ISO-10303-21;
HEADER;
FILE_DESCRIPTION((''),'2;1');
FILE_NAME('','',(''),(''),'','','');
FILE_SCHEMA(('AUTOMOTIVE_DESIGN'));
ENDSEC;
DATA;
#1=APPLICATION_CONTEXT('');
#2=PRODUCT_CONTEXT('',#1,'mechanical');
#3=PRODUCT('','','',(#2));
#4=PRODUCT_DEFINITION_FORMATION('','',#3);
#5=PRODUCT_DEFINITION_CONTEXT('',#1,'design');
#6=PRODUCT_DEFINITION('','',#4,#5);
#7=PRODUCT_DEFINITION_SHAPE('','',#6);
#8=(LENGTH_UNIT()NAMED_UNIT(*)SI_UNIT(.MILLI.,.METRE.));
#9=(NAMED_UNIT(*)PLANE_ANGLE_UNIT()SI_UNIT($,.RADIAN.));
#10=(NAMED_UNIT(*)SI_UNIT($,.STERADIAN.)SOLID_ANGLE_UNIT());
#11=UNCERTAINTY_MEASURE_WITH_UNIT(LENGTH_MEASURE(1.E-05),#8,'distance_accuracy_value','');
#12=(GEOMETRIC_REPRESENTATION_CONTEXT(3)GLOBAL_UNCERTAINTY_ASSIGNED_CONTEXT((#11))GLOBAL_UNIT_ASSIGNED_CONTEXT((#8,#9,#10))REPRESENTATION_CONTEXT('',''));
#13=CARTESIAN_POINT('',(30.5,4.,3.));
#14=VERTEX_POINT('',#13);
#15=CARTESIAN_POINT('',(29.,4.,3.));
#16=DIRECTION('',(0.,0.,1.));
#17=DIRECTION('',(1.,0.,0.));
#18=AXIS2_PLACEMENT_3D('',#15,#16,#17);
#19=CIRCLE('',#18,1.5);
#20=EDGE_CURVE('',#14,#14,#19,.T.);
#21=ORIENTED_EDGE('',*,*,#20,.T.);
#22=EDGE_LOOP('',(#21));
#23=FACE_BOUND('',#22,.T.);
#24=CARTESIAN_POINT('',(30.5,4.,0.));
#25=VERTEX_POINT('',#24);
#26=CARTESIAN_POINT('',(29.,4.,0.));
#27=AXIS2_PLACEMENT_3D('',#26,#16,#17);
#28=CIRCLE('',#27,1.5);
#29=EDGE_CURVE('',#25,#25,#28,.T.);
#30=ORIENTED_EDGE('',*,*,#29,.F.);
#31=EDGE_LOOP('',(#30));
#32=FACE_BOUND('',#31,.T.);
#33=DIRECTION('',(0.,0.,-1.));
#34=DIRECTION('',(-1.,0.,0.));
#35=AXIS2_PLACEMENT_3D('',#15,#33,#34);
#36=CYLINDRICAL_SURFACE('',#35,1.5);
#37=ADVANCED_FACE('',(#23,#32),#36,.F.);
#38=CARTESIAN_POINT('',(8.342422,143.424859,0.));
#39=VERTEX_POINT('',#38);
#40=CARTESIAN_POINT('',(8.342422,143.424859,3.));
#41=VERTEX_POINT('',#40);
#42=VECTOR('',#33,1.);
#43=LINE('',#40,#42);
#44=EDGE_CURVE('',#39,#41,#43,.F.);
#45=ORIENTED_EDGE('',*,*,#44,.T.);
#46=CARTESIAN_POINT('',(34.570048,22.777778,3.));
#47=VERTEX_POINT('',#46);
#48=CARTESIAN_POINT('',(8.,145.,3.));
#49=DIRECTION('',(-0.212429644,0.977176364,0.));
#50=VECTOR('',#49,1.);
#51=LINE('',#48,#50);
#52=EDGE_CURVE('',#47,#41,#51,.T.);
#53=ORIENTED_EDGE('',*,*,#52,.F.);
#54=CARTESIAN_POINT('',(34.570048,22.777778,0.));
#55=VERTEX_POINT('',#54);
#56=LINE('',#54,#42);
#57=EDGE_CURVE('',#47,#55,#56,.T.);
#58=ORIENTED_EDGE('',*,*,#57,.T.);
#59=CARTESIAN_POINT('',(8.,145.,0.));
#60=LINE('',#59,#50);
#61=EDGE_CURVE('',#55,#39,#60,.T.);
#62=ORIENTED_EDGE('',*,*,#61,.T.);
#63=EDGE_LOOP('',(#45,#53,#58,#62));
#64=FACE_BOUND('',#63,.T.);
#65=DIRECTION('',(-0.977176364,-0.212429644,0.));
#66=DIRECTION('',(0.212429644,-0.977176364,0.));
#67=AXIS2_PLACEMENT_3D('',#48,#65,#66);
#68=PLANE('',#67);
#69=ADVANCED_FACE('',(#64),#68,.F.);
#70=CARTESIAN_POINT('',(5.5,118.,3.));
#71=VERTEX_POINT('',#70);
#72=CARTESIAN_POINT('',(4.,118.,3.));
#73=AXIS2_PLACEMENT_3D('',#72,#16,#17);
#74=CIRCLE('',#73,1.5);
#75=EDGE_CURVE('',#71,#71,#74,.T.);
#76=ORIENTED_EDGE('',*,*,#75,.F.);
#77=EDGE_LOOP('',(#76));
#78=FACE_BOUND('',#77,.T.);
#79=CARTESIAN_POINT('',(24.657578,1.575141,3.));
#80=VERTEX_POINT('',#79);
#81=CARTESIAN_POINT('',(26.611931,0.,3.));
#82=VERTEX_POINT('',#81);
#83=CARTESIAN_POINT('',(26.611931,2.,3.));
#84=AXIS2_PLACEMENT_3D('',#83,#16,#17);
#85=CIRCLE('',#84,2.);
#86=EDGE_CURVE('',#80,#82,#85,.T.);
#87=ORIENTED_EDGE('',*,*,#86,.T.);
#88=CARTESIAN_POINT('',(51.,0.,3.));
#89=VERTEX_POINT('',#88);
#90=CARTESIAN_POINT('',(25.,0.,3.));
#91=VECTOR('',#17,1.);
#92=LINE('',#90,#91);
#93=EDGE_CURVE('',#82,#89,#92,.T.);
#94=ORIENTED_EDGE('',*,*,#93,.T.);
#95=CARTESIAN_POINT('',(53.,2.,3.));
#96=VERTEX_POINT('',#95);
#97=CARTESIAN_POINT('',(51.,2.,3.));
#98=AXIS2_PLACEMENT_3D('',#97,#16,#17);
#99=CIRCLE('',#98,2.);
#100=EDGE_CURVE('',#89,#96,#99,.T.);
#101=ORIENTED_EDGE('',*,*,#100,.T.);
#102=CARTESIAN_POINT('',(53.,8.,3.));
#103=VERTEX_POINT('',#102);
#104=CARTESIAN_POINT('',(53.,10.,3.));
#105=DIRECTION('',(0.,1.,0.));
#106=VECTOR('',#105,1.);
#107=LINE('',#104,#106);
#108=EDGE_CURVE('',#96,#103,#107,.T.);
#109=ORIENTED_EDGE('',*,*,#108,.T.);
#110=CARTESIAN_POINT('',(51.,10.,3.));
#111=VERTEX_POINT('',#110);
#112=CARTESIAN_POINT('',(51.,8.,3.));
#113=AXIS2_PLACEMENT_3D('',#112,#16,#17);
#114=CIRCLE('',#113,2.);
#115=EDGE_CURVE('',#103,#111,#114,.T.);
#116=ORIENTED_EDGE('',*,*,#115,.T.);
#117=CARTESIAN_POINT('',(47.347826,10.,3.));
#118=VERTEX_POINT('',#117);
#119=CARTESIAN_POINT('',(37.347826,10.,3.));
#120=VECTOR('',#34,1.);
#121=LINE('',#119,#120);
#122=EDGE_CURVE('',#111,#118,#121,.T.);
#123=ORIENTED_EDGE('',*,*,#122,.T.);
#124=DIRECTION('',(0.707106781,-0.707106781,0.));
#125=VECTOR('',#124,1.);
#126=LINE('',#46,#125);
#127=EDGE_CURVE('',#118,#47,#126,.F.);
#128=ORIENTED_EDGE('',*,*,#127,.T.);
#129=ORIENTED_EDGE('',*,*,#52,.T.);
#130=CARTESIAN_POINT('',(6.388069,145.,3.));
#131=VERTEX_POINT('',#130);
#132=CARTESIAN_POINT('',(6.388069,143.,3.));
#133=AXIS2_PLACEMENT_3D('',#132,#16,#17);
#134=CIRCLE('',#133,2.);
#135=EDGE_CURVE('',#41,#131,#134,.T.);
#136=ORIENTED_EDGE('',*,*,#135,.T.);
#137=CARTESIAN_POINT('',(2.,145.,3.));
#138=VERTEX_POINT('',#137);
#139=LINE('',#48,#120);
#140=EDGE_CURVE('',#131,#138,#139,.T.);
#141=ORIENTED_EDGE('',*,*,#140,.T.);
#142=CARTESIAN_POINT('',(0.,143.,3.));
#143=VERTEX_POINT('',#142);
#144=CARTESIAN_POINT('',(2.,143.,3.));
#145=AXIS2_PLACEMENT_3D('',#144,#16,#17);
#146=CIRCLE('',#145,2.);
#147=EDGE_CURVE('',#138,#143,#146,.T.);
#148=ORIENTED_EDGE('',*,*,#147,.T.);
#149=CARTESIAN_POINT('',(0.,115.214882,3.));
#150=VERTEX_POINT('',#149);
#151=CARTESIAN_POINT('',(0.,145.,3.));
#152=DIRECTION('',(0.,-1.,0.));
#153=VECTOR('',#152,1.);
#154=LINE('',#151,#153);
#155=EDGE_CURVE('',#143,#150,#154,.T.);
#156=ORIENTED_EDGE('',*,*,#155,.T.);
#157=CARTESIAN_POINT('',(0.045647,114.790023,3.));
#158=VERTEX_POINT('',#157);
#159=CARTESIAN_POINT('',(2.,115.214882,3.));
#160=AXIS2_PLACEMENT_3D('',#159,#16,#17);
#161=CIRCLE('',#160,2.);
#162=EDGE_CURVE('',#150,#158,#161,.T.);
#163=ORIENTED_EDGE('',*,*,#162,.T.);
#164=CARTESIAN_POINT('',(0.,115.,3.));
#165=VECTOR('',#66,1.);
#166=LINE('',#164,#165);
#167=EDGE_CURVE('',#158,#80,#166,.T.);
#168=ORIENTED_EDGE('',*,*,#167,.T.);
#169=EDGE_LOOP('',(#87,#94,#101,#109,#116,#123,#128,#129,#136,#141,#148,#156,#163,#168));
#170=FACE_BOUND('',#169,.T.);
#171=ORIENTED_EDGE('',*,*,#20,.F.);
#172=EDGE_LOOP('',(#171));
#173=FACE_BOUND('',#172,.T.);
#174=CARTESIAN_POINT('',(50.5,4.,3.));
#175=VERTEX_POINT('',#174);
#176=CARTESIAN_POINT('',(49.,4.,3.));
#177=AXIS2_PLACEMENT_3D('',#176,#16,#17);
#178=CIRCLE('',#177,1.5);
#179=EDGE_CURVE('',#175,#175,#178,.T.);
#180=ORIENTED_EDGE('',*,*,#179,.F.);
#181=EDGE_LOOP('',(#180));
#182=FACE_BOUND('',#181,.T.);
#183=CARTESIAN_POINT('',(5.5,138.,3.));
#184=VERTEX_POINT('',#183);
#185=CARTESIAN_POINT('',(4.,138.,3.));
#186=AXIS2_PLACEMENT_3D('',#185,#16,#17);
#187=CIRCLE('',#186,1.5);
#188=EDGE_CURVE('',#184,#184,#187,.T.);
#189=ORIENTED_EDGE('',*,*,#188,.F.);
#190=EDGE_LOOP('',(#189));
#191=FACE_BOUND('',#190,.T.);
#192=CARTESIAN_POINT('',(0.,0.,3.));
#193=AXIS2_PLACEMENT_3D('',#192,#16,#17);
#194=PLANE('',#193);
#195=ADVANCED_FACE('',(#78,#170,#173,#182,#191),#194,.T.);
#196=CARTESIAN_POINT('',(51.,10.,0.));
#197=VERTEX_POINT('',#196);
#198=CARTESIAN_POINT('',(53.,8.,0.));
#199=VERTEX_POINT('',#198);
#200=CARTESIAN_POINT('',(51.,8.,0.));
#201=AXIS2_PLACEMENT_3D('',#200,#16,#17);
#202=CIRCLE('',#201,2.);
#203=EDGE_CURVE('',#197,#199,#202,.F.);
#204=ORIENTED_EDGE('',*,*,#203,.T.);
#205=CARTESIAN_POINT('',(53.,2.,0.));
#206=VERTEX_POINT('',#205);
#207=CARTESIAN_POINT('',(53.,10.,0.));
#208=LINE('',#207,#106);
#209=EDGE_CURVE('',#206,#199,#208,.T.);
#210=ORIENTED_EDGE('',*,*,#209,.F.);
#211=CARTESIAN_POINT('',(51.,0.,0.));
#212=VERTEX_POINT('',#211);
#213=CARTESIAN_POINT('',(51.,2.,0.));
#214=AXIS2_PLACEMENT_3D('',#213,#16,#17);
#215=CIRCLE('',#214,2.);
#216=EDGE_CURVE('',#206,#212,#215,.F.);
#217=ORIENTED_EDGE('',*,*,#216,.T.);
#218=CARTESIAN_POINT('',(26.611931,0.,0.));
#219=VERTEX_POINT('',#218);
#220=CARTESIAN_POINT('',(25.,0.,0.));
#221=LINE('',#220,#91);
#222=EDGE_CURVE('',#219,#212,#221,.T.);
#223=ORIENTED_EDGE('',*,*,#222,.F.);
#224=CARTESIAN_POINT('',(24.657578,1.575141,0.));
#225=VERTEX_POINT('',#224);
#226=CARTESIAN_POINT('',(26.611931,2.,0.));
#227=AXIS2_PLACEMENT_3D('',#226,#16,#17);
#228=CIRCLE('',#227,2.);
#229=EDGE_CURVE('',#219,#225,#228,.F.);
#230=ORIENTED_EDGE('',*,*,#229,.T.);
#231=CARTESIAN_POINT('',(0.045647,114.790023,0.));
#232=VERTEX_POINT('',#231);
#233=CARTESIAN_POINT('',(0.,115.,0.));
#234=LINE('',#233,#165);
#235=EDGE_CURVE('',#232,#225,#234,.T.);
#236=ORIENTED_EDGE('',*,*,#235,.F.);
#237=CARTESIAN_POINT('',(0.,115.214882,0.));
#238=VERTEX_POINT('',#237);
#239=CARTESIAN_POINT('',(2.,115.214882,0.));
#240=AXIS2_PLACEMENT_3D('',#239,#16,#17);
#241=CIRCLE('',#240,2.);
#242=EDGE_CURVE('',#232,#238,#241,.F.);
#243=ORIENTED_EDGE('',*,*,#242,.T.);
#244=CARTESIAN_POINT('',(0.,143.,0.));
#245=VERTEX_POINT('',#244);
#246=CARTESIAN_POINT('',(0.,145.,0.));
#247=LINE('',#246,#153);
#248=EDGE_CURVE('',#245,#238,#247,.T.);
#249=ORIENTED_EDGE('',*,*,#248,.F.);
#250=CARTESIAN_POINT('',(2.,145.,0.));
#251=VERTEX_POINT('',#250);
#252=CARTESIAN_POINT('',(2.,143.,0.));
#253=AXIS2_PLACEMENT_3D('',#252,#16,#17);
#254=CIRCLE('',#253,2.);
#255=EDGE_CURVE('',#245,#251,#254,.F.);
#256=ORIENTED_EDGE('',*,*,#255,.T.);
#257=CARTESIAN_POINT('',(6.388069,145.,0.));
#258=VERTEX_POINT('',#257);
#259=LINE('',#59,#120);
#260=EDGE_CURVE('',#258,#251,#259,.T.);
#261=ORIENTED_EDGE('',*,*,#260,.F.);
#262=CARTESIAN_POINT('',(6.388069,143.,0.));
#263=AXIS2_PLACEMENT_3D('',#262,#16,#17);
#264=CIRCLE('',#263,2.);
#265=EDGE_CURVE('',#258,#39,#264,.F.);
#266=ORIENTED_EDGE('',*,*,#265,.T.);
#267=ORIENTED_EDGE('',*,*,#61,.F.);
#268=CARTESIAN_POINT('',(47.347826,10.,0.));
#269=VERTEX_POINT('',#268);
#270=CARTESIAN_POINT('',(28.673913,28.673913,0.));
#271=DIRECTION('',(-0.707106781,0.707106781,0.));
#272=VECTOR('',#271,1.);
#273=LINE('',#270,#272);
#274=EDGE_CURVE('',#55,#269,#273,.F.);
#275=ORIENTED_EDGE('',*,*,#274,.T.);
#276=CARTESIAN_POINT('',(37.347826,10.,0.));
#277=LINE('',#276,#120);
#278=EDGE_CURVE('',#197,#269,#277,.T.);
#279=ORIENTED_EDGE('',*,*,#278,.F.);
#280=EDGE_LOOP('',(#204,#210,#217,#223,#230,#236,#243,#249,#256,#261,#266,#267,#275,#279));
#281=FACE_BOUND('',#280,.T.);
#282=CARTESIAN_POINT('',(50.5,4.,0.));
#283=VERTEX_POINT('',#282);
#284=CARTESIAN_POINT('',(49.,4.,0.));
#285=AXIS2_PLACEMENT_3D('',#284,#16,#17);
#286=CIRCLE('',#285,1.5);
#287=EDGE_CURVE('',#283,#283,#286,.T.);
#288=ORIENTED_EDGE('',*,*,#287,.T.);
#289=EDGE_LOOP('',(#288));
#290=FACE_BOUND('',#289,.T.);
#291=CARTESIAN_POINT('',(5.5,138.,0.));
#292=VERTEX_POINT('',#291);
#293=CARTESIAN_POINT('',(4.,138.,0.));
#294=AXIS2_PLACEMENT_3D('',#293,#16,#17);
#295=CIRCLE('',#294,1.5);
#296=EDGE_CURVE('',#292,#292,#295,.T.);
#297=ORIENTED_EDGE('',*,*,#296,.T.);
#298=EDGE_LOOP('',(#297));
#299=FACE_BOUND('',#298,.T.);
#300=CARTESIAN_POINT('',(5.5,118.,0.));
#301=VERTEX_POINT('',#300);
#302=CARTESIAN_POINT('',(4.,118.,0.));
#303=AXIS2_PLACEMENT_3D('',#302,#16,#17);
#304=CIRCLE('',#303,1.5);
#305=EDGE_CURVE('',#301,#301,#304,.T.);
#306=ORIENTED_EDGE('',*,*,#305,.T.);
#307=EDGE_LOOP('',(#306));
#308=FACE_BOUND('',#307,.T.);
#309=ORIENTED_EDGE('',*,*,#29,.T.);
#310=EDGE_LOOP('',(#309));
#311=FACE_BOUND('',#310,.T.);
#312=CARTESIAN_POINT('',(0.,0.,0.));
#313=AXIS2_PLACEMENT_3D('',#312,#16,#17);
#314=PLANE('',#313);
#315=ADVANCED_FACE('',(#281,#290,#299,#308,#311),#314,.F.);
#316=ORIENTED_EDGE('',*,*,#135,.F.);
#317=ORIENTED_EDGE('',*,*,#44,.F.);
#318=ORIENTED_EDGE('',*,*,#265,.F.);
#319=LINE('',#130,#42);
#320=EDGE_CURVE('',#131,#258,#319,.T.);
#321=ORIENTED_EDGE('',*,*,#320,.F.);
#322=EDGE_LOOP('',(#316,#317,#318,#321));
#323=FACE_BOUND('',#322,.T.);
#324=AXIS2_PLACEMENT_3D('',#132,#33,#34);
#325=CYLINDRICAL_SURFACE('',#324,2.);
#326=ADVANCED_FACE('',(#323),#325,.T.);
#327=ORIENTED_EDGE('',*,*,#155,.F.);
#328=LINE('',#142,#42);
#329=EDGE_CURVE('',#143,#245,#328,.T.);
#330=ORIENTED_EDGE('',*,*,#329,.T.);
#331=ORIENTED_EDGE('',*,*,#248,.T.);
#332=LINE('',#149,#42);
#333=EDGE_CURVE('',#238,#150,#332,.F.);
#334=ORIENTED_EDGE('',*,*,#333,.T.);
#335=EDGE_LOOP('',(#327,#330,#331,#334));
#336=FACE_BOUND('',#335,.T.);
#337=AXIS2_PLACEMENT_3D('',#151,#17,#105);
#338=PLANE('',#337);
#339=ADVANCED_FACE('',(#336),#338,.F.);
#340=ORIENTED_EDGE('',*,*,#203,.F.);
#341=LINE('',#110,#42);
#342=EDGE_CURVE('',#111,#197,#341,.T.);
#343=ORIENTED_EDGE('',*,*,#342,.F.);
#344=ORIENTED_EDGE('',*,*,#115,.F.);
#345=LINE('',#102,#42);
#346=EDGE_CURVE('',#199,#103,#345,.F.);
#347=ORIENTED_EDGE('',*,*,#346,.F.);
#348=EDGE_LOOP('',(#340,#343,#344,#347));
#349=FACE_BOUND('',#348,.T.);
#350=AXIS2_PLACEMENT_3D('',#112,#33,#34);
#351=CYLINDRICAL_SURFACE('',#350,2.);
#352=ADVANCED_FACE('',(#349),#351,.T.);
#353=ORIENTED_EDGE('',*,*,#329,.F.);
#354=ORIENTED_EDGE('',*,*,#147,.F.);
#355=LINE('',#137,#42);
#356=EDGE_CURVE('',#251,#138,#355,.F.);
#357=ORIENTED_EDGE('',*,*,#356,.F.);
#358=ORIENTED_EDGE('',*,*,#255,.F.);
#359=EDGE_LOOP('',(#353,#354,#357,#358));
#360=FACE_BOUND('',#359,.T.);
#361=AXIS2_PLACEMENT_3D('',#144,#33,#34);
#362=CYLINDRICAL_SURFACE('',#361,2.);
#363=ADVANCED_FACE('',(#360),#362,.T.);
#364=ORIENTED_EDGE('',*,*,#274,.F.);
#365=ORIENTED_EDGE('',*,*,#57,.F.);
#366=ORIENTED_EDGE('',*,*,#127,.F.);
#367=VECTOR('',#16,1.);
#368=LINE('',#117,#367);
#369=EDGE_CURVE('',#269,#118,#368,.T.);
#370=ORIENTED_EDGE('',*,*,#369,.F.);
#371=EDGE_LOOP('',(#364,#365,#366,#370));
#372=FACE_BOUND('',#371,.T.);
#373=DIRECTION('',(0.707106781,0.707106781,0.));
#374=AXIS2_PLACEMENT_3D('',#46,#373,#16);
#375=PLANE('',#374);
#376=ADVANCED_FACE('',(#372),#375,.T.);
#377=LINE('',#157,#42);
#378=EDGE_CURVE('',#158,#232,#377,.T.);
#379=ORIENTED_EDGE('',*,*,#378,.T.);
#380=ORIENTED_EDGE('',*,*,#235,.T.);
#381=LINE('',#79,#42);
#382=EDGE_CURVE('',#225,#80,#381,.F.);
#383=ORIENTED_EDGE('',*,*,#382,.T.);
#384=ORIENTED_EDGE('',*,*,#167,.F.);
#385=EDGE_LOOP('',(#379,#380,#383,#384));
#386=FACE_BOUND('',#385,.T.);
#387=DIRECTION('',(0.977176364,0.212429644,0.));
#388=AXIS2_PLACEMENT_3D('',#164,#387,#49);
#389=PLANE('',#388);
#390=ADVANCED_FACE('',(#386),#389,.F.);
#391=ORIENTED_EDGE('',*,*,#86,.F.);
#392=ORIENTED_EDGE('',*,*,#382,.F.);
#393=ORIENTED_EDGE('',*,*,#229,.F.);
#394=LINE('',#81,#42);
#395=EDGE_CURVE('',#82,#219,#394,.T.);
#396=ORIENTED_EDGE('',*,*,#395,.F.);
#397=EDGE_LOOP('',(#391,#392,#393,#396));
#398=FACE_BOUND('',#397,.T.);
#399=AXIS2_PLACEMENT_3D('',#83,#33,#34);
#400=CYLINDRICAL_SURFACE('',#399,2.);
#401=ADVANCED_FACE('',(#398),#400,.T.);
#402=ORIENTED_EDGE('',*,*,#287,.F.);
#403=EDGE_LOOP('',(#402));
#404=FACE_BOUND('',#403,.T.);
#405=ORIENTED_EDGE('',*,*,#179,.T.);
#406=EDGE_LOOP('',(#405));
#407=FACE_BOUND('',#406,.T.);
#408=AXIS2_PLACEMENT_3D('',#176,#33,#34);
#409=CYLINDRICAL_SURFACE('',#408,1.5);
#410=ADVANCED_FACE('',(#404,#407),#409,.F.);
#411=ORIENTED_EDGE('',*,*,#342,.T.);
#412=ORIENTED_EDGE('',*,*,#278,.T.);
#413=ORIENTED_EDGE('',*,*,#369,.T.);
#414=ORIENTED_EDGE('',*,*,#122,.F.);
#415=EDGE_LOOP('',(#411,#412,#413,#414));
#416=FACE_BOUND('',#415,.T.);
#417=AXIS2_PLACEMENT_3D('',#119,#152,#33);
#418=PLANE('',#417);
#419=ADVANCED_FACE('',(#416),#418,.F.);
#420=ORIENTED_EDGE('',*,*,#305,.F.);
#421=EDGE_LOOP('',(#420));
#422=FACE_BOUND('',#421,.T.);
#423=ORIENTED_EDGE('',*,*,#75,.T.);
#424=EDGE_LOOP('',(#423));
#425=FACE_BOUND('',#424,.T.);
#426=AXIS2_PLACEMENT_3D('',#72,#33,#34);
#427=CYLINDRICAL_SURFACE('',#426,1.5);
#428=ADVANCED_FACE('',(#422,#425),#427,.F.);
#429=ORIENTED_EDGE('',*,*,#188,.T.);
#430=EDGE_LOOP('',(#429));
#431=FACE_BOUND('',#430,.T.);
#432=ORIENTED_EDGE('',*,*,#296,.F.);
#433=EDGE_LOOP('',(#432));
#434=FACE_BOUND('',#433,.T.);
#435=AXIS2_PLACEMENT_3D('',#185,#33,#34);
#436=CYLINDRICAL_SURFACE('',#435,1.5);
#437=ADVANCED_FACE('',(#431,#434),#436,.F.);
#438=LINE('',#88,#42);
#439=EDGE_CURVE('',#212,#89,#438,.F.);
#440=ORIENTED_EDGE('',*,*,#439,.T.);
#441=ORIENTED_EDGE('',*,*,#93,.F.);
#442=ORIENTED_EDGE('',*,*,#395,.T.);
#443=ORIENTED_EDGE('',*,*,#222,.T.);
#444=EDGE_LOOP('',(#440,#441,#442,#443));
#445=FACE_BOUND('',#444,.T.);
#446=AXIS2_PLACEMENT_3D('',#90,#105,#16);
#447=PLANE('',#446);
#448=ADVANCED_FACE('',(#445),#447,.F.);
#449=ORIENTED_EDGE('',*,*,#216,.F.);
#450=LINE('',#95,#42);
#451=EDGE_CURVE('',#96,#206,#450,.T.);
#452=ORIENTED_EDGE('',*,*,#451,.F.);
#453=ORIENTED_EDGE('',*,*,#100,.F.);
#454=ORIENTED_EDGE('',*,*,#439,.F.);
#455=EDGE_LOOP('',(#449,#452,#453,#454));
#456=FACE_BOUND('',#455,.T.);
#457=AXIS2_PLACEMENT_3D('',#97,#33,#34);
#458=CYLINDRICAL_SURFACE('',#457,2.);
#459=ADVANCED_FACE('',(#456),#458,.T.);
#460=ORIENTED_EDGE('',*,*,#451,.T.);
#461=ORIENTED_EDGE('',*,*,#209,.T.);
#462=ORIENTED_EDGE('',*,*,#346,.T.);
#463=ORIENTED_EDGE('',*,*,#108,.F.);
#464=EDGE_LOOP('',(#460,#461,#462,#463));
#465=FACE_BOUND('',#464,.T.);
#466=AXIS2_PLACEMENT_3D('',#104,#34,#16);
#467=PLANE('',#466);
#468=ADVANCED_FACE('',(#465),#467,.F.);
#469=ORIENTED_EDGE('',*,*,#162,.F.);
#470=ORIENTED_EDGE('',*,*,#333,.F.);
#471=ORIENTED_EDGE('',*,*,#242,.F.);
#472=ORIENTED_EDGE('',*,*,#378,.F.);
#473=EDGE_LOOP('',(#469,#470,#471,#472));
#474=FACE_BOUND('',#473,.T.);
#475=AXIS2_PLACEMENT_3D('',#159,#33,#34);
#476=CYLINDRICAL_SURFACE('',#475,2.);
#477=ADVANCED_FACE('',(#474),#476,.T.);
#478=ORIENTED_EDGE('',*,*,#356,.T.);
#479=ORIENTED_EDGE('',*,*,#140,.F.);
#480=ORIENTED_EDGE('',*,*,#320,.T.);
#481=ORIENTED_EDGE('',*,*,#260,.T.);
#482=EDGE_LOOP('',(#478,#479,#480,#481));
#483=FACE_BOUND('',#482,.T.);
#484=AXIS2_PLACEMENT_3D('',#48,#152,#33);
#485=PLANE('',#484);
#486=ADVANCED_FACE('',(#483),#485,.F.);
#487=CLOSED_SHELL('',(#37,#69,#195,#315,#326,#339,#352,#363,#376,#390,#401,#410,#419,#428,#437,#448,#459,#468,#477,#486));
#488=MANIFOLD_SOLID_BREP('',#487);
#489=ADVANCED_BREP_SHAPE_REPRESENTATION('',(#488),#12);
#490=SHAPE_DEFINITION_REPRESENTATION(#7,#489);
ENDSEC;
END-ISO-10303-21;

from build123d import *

# Parameters (mm, degrees)
SKETCH_1_R      = 1.5
EXTRUDE_1_DEPTH = 3
CHAMFER_1_SIZE  = 10
CHAMFER_1_SIZE2 = 13.076224773
FILLET_1_R      = 2


with BuildPart() as part:
    # 草图1 → 凸台-拉伸1 (new body)
    with BuildSketch(Plane.XY):
        Polygon((0, 145), (0, 115), (25, 0), (53, 0), (53, 10), (37.347826087, 10), (8, 145), align=None)
        with Locations((4, 118)):
            Circle(SKETCH_1_R, mode=Mode.SUBTRACT)
        with Locations((4, 138)):
            Circle(SKETCH_1_R, mode=Mode.SUBTRACT)
        with Locations((49, 4)):
            Circle(SKETCH_1_R, mode=Mode.SUBTRACT)
        with Locations((29, 4)):
            Circle(SKETCH_1_R, mode=Mode.SUBTRACT)
    extrude(amount=EXTRUDE_1_DEPTH)

    # 倒角1
    chamfer_1_edges = [part.edges().sort_by_distance(p)[0] for p in [
        (37.347826087, 10, 1.5),
    ]]
    chamfer_1_side = [part.faces().sort_by_distance(p)[0] for p in [
        (45.173913043, 10, 1.5),
    ]]
    chamfer(chamfer_1_edges, length=CHAMFER_1_SIZE, length2=CHAMFER_1_SIZE2, reference=chamfer_1_side[0])

    # 圆角1
    fillet_1_edges = [part.edges().sort_by_distance(p)[0] for p in [
        (8, 145, 1.5),
        (53, 10, 1.5),
        (53, 0, 1.5),
        (25, 0, 1.5),
        (0, 115, 1.5),
        (0, 145, 1.5),
    ]]
    fillet(fillet_1_edges, radius=FILLET_1_R)


solid = part.part
